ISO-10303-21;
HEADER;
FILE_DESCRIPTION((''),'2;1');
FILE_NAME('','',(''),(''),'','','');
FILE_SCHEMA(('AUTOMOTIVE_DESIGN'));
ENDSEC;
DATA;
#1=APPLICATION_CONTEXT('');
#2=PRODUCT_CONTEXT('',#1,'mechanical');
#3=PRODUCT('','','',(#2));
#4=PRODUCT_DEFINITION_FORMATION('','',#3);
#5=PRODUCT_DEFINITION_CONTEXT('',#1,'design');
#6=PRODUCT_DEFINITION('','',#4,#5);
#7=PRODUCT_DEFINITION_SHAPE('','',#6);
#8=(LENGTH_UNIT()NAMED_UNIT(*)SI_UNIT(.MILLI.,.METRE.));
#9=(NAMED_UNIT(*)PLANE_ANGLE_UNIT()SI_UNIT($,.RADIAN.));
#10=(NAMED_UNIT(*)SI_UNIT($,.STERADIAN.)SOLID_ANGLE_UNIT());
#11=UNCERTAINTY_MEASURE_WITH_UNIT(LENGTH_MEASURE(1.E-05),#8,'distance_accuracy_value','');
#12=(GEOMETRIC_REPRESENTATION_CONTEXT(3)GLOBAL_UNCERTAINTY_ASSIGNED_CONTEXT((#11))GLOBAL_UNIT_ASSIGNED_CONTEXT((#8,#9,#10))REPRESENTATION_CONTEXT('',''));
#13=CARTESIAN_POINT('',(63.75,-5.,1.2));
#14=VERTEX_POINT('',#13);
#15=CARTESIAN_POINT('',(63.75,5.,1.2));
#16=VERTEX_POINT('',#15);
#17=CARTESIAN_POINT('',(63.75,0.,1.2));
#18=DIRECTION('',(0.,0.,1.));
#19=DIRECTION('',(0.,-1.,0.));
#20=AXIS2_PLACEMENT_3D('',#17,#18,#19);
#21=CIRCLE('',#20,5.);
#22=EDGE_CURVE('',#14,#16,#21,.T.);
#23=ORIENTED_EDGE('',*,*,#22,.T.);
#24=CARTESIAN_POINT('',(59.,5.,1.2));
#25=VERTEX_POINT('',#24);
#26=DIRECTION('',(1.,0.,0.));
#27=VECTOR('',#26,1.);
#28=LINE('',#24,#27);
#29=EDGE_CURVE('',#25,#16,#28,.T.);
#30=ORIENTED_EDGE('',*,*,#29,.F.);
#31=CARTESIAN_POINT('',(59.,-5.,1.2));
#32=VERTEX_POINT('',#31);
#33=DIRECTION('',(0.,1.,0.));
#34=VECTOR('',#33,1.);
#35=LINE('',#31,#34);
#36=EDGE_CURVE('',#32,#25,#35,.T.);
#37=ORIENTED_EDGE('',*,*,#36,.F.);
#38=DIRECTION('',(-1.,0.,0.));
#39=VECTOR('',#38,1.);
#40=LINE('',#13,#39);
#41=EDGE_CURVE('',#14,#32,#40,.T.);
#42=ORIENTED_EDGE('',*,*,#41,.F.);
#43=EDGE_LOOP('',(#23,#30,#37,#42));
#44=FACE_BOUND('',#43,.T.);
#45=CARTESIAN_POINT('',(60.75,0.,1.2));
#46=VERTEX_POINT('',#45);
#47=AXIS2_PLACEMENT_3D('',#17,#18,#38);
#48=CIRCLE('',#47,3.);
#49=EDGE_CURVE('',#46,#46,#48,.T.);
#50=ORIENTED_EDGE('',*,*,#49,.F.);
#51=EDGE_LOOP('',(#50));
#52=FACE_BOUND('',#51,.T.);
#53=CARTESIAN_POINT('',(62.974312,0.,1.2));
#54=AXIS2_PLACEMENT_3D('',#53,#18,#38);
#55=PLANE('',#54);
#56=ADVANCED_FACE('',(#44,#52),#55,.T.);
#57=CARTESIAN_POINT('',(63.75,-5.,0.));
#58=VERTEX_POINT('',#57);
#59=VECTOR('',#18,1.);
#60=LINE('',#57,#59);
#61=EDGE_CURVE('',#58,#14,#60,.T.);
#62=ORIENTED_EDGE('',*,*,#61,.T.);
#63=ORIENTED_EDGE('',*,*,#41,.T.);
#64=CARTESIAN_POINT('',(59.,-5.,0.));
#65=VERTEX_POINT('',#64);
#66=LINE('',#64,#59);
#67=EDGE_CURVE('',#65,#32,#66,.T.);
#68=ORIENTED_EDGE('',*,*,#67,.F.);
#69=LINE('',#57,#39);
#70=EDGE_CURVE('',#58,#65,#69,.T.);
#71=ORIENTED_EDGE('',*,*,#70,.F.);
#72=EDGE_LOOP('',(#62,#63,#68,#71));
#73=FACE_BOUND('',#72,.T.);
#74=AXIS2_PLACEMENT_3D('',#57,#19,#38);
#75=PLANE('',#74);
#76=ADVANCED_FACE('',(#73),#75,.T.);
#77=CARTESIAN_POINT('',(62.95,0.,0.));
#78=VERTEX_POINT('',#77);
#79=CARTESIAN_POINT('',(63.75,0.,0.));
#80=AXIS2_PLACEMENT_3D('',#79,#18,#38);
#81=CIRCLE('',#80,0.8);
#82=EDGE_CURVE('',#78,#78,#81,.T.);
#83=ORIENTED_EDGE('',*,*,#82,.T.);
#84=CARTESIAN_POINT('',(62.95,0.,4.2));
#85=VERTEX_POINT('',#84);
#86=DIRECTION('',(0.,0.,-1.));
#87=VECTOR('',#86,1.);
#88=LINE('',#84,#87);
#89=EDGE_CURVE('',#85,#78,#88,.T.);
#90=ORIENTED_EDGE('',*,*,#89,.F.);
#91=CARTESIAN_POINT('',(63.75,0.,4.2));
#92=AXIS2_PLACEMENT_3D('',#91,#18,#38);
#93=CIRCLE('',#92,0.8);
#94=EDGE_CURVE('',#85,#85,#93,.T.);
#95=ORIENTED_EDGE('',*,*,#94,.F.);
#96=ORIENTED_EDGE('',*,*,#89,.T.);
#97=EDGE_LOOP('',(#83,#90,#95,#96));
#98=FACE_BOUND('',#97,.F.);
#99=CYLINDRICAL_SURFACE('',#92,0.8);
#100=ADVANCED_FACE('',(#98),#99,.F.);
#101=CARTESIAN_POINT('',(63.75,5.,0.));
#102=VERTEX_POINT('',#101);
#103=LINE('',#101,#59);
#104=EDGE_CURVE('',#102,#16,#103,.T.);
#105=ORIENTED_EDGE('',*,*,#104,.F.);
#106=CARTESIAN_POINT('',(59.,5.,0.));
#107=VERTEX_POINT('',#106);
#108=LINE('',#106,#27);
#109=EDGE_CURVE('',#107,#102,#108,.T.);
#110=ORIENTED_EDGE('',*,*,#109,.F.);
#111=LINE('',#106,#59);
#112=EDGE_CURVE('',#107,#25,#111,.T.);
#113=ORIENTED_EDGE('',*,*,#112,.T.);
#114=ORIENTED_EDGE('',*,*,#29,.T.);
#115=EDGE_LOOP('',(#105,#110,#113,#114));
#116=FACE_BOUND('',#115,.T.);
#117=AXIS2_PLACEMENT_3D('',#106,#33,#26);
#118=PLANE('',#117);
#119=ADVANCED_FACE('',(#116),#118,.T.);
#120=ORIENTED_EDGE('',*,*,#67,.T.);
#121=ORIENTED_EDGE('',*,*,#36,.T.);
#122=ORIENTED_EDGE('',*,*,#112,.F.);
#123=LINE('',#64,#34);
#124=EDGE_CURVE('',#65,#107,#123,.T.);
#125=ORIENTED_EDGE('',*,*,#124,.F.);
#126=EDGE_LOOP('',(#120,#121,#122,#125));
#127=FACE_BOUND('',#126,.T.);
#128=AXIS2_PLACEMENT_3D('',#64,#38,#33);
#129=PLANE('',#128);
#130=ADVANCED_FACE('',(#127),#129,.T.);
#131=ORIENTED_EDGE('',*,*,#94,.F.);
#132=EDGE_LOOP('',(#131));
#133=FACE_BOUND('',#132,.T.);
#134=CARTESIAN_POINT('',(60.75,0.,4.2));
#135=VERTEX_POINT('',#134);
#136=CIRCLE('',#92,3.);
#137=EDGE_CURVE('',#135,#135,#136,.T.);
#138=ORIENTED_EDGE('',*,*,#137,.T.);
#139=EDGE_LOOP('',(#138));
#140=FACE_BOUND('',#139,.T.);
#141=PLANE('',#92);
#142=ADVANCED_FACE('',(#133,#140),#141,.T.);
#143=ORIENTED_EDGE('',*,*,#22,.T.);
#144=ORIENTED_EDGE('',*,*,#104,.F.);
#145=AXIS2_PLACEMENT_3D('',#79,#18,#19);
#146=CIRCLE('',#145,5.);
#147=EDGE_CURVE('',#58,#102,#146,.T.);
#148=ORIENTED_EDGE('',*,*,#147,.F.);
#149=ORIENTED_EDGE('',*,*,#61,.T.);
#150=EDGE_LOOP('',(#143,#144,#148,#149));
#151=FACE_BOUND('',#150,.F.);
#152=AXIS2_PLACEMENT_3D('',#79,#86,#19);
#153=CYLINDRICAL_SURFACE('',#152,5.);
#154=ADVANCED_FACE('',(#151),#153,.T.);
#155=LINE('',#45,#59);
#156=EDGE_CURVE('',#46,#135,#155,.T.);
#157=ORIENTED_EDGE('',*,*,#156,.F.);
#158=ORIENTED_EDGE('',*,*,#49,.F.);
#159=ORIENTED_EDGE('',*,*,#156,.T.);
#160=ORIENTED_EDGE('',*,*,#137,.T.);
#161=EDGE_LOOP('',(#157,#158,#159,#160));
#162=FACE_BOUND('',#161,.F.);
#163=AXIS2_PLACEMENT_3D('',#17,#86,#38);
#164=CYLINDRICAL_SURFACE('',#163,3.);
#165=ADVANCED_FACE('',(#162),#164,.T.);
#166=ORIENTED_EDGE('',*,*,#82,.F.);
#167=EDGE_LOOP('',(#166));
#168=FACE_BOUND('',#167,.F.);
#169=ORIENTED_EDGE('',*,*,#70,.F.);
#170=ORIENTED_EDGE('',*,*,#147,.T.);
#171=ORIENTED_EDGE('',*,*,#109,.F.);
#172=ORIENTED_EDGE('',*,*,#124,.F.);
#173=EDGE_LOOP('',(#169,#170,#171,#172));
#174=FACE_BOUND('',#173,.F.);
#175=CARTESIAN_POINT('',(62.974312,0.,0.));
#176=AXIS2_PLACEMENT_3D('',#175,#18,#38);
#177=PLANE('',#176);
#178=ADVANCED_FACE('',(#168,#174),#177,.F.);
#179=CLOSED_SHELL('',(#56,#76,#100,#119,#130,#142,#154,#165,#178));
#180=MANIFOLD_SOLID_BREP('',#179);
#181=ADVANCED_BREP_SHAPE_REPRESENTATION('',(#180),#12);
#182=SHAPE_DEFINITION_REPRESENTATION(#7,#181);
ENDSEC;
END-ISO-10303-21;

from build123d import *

# Parameters (mm, degrees)
PAD001_DEPTH          = 1.2
SKETCH002_R           = 3
PAD002_DEPTH          = 3
SKETCH003_R           = 0.8
POCKET_DEPTH          = 5
CLONE_PLACEMENT_ANGLE = 180


with BuildPart() as part:
    # Sketch001 → Pad001 (new body)
    with BuildSketch(Plane.XY):
        with BuildLine():
            ThreePointArc((-47.75, 5), (-52.75, 0), (-47.75, -5))
            Line((-43, -5), (-47.75, -5))
            Line((-43, 5), (-43, -5))
            Line((-47.75, 5), (-43, 5))
        make_face()
    extrude(amount=PAD001_DEPTH)

    # Sketch002 → Pad002 (new body)
    with BuildSketch(Plane.XY.offset(1.2)):
        with Locations((-47.75, 0)):
            Circle(SKETCH002_R)
    extrude(amount=PAD002_DEPTH)

    # Sketch003 → Pocket (cut)
    with BuildSketch(Plane.XY.offset(4.2)):
        with Locations((-47.75, 0)):
            Circle(SKETCH003_R)
    extrude(amount=-POCKET_DEPTH, mode=Mode.SUBTRACT)


with BuildPart() as part_1:
    # Clone placement: moved
    add(part.part.moved(Location((16, 0, 0))).rotate(Axis((16, 0, 0), (0, 0, 1)), CLONE_PLACEMENT_ANGLE))


solid = part_1.part
